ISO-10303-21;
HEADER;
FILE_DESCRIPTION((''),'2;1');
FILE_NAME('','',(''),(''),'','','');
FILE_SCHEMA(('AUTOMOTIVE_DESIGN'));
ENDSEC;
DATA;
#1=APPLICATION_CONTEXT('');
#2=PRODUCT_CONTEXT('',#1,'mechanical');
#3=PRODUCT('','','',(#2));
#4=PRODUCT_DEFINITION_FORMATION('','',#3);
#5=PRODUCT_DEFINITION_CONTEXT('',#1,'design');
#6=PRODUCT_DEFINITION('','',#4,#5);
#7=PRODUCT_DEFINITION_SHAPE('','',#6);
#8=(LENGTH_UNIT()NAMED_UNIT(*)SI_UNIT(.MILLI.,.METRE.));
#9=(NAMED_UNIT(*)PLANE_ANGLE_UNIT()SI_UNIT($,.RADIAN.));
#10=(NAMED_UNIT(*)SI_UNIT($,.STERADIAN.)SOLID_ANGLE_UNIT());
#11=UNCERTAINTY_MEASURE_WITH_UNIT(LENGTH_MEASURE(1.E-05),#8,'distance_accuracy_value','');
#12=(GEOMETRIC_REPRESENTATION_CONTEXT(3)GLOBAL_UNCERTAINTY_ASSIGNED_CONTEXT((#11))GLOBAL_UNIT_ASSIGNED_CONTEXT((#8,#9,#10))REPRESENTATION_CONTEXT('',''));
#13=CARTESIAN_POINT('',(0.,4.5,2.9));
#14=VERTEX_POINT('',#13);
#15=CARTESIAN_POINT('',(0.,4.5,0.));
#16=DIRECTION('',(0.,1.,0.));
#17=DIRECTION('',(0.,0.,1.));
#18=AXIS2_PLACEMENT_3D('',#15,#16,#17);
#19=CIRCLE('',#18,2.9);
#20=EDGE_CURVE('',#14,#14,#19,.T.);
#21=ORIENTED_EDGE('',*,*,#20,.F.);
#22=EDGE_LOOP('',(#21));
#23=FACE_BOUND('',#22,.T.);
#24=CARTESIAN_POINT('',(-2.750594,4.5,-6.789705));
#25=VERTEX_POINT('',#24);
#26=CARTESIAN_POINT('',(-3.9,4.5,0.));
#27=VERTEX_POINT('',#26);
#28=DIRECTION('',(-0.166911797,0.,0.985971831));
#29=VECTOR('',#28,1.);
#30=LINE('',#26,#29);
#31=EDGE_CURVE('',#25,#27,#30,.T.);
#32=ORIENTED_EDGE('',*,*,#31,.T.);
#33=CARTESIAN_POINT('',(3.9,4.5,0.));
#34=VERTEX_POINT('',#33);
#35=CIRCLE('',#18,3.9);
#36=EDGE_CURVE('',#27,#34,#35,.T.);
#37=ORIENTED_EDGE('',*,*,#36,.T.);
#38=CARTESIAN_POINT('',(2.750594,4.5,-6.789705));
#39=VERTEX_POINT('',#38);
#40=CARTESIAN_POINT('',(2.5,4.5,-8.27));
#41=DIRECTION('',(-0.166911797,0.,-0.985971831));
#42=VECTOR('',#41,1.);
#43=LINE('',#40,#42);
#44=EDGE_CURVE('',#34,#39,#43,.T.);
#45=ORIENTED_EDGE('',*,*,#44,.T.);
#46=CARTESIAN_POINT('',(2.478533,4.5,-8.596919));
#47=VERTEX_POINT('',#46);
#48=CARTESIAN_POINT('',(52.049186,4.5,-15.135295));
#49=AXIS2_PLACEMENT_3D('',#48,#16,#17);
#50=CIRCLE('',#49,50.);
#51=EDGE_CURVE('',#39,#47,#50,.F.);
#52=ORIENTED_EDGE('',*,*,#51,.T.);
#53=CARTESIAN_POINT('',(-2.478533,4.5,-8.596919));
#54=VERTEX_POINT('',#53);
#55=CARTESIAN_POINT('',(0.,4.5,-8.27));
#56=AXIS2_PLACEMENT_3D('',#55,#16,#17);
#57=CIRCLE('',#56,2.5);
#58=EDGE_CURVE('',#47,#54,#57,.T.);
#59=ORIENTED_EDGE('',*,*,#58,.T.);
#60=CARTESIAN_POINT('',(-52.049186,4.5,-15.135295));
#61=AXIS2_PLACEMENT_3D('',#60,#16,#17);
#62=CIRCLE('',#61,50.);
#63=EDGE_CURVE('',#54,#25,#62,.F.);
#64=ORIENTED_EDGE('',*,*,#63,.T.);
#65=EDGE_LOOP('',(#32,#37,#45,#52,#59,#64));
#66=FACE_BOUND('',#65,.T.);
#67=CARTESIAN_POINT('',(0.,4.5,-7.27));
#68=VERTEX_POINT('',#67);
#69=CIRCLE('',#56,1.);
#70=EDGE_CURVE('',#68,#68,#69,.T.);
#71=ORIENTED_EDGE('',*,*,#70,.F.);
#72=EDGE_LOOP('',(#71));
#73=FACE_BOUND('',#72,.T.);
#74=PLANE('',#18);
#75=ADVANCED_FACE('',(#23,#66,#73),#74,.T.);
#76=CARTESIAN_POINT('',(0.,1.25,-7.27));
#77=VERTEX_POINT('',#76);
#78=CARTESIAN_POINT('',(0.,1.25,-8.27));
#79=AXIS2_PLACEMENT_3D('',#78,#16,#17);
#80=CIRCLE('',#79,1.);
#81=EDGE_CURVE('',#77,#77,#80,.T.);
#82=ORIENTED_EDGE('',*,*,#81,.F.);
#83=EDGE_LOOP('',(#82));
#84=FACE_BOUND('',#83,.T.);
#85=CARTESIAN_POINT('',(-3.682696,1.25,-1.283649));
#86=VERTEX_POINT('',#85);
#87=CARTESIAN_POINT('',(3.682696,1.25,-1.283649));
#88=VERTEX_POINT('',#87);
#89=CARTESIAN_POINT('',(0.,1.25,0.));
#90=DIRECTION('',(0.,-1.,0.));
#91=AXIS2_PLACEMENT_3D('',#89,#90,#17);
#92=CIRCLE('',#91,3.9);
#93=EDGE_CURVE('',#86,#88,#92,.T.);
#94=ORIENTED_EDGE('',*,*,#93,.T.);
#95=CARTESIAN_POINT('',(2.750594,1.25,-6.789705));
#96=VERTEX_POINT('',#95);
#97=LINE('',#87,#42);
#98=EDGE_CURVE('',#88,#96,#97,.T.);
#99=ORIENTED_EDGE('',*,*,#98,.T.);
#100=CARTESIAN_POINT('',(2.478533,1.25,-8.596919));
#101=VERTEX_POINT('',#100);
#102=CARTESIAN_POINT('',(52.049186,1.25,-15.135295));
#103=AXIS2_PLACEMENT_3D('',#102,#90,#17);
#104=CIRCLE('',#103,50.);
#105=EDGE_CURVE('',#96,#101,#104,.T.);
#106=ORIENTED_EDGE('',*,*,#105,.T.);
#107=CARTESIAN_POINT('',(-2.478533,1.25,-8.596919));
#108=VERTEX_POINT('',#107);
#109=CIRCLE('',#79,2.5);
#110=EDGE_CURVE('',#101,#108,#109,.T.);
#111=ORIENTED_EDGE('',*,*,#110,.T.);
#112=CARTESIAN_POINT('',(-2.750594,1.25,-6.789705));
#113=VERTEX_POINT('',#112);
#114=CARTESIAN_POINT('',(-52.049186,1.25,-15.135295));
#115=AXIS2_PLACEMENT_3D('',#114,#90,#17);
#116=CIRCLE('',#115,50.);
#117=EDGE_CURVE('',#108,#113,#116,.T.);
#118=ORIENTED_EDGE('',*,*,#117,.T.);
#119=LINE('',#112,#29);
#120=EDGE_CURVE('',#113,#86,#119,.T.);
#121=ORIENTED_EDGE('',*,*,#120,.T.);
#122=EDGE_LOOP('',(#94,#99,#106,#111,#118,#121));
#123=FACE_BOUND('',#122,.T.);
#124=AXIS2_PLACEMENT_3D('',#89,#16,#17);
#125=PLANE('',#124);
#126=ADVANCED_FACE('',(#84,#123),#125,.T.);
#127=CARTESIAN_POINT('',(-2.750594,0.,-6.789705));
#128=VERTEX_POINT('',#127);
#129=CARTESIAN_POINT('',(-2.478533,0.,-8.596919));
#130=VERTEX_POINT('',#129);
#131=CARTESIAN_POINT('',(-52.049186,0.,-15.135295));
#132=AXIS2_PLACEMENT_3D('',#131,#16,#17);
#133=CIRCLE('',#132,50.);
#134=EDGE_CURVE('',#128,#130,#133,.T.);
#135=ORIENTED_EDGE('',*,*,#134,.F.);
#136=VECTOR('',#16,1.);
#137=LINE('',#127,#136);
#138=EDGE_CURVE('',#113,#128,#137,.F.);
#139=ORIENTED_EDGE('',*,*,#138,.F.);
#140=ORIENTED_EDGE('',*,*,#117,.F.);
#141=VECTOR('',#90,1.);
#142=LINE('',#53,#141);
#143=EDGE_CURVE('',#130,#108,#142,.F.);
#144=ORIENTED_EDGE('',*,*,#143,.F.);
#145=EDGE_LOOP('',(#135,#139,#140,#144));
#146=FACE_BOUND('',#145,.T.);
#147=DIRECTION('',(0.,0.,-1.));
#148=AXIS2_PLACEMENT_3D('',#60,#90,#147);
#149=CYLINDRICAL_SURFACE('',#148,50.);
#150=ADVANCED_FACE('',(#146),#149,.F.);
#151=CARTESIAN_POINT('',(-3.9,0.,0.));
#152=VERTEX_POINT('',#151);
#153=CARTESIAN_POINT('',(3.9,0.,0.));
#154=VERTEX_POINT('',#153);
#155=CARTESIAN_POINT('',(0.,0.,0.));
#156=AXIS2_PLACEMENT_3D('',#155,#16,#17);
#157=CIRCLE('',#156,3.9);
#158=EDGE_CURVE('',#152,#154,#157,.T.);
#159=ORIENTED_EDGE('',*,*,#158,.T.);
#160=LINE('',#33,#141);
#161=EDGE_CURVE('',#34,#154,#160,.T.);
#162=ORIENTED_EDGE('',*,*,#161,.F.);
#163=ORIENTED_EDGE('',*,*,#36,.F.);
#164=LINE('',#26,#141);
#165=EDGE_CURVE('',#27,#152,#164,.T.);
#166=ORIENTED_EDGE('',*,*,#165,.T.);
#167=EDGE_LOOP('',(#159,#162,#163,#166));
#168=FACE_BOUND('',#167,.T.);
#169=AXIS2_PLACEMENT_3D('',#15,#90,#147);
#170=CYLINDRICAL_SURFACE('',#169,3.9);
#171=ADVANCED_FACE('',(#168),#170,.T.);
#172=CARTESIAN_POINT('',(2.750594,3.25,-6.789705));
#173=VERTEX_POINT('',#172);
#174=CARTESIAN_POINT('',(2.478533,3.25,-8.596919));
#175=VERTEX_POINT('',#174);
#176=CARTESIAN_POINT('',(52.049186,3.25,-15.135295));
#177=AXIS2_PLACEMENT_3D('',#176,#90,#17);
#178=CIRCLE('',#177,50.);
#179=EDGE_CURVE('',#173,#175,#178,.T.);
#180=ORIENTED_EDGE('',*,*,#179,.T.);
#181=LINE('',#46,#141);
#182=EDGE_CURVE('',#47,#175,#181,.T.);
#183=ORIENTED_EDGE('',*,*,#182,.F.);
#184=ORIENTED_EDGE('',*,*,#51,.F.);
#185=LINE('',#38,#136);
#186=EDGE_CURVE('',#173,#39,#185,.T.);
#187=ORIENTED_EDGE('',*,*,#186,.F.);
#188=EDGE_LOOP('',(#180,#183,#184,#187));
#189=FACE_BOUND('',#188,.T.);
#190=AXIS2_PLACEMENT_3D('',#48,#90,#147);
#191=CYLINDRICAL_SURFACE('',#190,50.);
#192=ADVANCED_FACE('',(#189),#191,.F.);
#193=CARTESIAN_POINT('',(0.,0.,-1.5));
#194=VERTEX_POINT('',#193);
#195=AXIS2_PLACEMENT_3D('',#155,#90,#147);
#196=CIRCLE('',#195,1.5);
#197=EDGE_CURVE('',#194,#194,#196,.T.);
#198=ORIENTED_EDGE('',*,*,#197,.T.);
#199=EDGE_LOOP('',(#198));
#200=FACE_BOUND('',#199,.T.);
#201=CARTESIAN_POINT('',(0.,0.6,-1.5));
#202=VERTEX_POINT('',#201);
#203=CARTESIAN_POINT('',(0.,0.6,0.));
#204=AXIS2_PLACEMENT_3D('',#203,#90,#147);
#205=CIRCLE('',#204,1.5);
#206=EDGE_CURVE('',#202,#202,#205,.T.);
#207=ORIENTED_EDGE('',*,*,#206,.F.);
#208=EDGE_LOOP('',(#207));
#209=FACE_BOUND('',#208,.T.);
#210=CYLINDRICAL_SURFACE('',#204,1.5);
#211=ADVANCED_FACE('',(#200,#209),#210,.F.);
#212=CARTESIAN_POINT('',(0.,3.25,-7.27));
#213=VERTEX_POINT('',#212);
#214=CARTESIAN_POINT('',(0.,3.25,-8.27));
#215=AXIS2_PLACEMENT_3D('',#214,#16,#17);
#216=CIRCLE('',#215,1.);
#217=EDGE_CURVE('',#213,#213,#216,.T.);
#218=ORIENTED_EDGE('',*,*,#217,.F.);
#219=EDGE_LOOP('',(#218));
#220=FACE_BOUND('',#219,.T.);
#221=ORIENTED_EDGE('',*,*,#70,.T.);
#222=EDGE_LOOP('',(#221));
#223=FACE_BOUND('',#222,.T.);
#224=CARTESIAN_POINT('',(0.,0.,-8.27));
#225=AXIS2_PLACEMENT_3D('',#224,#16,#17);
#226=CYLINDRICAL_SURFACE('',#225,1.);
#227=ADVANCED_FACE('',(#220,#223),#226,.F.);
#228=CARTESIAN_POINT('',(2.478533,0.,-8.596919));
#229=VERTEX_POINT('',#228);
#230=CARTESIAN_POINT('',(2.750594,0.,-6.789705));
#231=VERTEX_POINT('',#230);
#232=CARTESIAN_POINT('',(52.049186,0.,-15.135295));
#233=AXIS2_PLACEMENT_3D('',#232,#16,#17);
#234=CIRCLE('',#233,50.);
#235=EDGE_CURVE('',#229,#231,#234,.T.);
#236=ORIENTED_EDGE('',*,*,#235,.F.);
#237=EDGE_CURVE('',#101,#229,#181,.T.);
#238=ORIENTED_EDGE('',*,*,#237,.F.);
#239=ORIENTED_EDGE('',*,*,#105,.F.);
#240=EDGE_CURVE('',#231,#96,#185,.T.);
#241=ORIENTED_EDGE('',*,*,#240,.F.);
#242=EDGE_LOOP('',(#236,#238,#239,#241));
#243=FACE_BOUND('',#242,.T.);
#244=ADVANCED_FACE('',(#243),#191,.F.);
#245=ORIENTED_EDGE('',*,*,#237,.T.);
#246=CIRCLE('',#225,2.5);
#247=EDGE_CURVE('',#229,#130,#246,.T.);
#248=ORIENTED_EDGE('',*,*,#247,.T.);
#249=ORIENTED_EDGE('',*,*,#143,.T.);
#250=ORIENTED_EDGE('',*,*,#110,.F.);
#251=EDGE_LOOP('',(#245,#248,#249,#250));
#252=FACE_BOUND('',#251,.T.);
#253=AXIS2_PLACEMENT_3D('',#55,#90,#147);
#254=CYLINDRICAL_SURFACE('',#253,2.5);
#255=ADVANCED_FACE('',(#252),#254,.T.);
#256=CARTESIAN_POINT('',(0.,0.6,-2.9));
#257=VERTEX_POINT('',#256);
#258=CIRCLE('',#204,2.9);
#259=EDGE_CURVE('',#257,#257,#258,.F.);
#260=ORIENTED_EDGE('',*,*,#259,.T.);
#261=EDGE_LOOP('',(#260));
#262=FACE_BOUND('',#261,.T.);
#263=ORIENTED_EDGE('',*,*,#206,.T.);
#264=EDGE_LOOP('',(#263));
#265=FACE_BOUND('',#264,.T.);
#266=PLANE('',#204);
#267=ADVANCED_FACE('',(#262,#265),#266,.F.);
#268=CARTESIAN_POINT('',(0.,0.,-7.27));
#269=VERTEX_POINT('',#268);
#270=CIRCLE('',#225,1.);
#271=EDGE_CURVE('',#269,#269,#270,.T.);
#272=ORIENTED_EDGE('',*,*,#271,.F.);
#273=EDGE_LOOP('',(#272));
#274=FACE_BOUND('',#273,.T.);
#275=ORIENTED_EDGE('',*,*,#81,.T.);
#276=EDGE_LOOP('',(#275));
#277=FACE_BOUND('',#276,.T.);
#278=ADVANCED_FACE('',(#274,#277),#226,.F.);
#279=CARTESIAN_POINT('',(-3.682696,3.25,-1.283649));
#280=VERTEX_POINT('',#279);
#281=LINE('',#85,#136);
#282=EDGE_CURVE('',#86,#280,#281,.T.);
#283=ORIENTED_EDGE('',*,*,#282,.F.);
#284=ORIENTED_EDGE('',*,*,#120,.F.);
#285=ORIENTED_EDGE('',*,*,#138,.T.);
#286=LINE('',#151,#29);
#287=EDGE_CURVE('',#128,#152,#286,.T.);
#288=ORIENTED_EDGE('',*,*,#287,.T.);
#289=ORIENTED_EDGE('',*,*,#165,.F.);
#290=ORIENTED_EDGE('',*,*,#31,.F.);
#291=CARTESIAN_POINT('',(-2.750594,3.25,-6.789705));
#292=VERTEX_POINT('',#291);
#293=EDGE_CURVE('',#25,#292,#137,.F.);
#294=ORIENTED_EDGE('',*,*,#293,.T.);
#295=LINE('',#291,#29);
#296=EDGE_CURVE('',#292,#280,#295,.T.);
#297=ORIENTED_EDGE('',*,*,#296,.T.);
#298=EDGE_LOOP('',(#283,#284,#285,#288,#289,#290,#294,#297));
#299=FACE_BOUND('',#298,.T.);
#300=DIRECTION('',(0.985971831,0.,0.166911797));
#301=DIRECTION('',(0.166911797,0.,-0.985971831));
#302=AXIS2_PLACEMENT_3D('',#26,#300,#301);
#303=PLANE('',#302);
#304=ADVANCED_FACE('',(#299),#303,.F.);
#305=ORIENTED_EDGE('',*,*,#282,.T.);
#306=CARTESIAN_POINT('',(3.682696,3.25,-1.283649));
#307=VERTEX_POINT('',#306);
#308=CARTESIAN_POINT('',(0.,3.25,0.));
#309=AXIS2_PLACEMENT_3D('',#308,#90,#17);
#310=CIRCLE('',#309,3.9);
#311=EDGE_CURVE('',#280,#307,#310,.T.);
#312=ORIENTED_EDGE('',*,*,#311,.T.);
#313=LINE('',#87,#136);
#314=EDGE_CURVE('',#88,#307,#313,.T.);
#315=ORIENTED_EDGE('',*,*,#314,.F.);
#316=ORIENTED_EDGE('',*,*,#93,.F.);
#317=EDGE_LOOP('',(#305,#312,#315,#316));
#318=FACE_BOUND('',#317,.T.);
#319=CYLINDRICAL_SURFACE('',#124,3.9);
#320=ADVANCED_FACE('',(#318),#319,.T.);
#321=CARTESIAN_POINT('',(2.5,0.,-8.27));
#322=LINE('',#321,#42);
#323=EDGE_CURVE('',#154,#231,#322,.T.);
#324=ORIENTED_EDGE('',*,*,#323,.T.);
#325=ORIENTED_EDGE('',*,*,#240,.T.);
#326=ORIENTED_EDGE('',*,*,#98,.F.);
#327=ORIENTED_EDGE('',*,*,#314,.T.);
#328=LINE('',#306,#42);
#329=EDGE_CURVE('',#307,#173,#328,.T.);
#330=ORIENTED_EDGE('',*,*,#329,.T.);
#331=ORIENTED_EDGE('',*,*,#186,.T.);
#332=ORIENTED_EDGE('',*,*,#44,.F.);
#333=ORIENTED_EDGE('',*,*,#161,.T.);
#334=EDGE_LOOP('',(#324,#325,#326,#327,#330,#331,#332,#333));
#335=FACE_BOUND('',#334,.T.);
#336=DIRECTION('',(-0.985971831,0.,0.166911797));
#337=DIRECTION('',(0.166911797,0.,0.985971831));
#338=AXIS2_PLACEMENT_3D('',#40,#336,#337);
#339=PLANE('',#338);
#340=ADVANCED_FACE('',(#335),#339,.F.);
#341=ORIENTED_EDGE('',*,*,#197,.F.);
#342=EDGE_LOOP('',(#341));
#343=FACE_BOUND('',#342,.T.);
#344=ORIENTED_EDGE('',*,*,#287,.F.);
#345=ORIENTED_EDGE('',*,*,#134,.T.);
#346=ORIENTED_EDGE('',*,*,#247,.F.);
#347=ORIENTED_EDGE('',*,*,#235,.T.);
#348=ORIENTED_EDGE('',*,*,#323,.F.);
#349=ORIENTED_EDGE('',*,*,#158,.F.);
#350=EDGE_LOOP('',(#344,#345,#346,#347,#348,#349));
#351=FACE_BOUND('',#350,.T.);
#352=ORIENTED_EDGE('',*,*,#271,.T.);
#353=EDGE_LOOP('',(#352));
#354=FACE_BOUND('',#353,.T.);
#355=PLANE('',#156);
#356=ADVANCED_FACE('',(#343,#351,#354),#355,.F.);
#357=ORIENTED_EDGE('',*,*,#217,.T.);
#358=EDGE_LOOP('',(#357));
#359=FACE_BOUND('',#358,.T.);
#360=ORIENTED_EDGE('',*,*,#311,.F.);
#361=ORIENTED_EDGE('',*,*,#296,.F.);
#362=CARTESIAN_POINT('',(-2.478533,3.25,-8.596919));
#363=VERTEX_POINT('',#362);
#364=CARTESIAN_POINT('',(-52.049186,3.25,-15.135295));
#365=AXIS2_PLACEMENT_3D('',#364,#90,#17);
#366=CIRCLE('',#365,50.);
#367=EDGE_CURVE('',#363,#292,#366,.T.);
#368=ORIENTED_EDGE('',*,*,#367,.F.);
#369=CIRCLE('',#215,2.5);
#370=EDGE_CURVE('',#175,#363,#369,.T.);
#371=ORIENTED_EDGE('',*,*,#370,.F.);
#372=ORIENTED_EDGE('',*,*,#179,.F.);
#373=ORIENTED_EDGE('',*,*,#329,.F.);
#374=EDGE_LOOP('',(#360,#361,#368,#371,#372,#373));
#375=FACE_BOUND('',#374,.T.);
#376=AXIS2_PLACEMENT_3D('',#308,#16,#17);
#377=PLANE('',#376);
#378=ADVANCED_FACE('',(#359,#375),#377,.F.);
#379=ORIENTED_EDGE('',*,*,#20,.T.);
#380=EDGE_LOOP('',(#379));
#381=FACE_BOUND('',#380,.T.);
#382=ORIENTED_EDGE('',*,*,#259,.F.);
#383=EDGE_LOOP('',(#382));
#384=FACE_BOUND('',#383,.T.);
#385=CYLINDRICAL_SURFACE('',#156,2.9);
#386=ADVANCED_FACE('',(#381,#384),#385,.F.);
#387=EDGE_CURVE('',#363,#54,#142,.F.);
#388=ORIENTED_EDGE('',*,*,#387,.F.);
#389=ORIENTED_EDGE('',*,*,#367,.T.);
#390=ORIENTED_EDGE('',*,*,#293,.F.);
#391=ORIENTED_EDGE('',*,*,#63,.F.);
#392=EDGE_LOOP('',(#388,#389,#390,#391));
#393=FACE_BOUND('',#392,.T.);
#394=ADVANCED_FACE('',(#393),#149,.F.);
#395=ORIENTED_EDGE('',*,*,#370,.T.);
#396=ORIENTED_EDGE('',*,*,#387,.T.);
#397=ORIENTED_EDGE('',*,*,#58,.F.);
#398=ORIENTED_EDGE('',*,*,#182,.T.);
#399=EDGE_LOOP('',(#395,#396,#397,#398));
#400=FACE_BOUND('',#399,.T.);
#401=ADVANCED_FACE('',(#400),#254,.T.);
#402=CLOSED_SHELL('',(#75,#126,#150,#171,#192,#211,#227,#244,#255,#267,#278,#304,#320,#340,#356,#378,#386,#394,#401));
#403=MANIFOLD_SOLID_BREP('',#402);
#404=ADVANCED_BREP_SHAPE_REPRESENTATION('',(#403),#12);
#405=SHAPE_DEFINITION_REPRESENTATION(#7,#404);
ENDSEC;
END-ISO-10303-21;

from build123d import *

# Parameters (mm, degrees)
SALIENTE_EXTRUIR1_DEPTH = 4.5
CROQUIS3_R              = 2.9
CROQUIS3_R_2            = 1
CORTAR_EXTRUIR1_DEPTH   = 13.30662017
REDONDEO1_R             = 50
CORTAR_EXTRUIR2_START   = -2.25
CROQUIS9_R              = 1
CORTAR_EXTRUIR2_DEPTH   = 1
SALIENTE_EXTRUIR2_START = -0.6
CROQUIS7_R              = 2.9
CROQUIS7_R_2            = 1.5
SALIENTE_EXTRUIR2_DEPTH = 0.6


with BuildPart() as part:
    # Croquis1 → Saliente-Extruir1 (new body)
    with BuildSketch(Plane(origin=(0, 0, 0), x_dir=(1, 0, 0), z_dir=(0, 1, 0))):
        with BuildLine():
            Line((-3.9, 0), (-2.5, 8.27))
            ThreePointArc((-2.5, 8.27), (0, 10.77), (2.5, 8.27))
            Line((2.5, 8.27), (3.9, 0))
            ThreePointArc((3.9, 0), (0, -3.9), (-3.9, 0))
        make_face()
    extrude(amount=SALIENTE_EXTRUIR1_DEPTH)

    # Croquis3 → Cortar-Extruir1 (cut, through all)
    with BuildSketch(Plane(origin=(0, 4.5, 0), x_dir=(1, 0, 0), z_dir=(0, 1, 0))):
        with Locations(Location((0, 0, 0), (0, 0, 270))):
            Circle(CROQUIS3_R)
        with Locations(Location((0, 8.27, 0), (0, 0, 270))):
            Circle(CROQUIS3_R_2)
    extrude(amount=-CORTAR_EXTRUIR1_DEPTH, mode=Mode.SUBTRACT)

    # Redondeo1
    redondeo1_edges = [part.edges().sort_by_distance(p)[0] for p in [
        (-2.5, 2.25, -8.27),
        (2.5, 2.25, -8.27),
    ]]
    fillet(redondeo1_edges, radius=REDONDEO1_R)

    # Croquis9 → Cortar-Extruir2 (cut, symmetric)
    with BuildSketch(Plane(origin=(0, 4.5, 0), x_dir=(1, 0, 0), z_dir=(0, 1, 0)).offset(CORTAR_EXTRUIR2_START)):
        with BuildLine():
            Line((3.682695525, 1.283648577), (2.750594125, 6.789704705))
            ThreePointArc((2.750594125, 6.789704705), (2.606305638, 7.69206861), (2.478532652, 8.596918789))
            ThreePointArc((2.478532652, 8.596918789), (0, 10.77), (-2.478532652, 8.596918789))
            ThreePointArc((-2.478532652, 8.596918789), (-2.606305638, 7.69206861), (-2.750594125, 6.789704705))
            Line((-2.750594125, 6.789704705), (-3.682695525, 1.283648577))
            ThreePointArc((-3.682695525, 1.283648577), (0, 3.9), (3.682695525, 1.283648577))
        make_face()
        with Locations(Location((0, 8.27, 0), (0, 0, 270))):
            Circle(CROQUIS9_R, mode=Mode.SUBTRACT)
    extrude(amount=CORTAR_EXTRUIR2_DEPTH, both=True, mode=Mode.SUBTRACT)

    # Croquis7 → Saliente-Extruir2 (add)
    with BuildSketch(Plane.XZ.offset(SALIENTE_EXTRUIR2_START)):
        with Locations(Location((0, 0, 0), (0, 0, 90))):
            Circle(CROQUIS7_R)
        with Locations(Location((0, 0, 0), (0, 0, 270))):
            Circle(CROQUIS7_R_2, mode=Mode.SUBTRACT)
    extrude(amount=SALIENTE_EXTRUIR2_DEPTH)


solid = part.part
